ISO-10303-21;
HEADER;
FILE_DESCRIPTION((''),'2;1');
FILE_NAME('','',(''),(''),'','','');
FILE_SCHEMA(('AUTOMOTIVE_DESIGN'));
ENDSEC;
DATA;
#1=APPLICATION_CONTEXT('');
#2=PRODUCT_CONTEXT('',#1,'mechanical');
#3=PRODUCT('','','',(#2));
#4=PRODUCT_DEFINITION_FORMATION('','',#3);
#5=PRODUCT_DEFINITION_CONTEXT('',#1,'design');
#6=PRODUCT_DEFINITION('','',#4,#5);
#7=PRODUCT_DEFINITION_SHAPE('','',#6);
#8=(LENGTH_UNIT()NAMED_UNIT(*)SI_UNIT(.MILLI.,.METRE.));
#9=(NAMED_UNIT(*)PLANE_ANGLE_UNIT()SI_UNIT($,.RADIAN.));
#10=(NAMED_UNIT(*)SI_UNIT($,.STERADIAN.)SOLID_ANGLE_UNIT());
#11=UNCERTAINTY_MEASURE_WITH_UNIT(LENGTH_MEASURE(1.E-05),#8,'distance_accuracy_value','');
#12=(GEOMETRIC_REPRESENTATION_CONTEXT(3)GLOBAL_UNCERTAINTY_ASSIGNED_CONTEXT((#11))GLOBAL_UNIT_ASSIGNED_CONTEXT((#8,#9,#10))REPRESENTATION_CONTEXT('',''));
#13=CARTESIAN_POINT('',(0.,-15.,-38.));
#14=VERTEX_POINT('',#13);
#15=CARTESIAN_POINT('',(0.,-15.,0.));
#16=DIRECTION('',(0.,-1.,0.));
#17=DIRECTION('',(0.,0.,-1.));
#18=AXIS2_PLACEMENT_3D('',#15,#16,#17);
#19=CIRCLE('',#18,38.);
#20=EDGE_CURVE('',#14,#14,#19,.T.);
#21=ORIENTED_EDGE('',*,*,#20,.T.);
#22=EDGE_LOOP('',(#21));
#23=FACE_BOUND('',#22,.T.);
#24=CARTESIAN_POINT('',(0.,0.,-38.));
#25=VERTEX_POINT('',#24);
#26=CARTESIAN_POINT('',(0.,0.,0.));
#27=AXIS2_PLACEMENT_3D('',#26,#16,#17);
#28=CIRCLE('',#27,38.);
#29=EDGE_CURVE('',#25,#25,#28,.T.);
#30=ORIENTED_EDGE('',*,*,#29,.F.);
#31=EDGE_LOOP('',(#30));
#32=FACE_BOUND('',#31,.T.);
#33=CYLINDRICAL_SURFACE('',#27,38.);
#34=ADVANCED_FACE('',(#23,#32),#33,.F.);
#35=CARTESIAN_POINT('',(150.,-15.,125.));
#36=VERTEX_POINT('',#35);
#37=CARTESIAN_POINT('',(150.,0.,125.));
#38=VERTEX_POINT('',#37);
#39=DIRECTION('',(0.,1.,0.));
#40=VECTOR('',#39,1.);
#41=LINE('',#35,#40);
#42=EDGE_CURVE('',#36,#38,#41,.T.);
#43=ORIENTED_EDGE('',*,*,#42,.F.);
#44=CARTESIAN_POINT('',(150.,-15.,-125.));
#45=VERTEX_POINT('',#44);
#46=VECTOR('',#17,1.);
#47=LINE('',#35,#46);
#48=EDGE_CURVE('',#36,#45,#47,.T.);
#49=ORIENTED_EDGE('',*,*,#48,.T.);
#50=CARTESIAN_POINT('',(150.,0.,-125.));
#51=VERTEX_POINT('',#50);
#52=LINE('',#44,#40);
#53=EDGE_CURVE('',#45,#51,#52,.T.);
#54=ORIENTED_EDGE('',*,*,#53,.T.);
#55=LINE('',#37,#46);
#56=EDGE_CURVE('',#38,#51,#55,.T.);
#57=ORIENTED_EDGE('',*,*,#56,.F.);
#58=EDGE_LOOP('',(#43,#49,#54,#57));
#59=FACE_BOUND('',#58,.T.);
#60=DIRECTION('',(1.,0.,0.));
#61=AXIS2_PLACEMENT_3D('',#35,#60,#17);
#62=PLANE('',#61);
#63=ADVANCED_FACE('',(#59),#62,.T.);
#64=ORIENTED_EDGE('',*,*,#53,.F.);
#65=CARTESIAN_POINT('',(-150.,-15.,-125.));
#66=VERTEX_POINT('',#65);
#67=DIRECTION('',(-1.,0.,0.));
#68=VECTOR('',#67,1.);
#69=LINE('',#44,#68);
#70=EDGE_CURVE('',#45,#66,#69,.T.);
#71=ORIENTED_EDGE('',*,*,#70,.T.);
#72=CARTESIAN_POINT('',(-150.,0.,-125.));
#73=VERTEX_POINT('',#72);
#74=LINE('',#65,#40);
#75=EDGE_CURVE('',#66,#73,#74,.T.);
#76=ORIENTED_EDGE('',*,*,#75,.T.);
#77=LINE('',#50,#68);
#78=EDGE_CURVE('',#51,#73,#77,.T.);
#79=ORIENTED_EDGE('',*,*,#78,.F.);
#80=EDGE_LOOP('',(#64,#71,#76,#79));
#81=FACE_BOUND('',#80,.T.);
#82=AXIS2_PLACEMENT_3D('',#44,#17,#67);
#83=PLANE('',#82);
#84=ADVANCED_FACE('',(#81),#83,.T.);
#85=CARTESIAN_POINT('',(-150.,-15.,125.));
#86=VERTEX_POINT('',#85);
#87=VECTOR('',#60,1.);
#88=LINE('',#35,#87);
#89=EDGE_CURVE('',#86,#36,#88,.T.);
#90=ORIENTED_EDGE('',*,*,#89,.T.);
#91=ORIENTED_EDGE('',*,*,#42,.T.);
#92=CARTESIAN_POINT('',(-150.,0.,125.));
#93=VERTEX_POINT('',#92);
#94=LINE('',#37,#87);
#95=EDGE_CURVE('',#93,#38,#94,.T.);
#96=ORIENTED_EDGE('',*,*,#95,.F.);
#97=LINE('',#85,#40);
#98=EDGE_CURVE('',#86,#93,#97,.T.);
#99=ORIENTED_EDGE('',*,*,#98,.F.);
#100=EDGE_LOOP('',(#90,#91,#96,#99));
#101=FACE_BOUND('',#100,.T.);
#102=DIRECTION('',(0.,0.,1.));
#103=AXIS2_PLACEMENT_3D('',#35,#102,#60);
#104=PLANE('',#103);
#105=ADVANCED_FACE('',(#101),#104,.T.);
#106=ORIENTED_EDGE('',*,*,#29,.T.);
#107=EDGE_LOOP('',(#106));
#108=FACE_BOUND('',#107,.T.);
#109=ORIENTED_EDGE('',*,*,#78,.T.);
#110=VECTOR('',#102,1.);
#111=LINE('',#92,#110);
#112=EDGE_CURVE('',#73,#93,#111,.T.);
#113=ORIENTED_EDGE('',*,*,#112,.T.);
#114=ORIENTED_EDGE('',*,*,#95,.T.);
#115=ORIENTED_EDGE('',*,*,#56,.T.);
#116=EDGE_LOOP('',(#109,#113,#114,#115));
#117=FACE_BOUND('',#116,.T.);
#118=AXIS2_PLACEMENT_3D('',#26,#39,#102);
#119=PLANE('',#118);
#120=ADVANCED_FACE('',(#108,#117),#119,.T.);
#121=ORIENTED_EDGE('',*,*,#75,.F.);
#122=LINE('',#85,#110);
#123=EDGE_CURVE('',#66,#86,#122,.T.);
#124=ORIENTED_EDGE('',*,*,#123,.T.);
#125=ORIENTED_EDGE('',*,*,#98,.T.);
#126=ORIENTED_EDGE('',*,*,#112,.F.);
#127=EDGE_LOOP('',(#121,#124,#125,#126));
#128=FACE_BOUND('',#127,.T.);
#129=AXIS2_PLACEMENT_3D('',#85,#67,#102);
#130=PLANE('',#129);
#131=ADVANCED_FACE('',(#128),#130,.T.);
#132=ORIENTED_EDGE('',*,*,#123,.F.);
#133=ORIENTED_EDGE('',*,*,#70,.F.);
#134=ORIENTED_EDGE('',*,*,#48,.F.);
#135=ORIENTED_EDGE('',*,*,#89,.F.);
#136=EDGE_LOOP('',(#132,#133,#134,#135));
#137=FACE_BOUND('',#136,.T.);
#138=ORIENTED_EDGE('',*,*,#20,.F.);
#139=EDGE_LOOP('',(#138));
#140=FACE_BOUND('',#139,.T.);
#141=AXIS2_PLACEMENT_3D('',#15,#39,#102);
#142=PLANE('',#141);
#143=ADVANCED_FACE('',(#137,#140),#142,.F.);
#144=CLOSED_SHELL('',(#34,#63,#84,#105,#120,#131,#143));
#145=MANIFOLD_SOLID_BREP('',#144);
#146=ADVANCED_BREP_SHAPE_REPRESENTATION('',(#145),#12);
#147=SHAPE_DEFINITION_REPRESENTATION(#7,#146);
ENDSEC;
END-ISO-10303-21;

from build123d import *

# Parameters (mm, degrees)
SKETCH1_W           = 300
SKETCH1_H           = 250
BOSS_EXTRUDE1_DEPTH = 15
SKETCH3_R           = 38
CUT_EXTRUDE1_DEPTH  = 15


with BuildPart() as part:
    # Sketch1 → Boss-Extrude1 (new body)
    with BuildSketch(Plane(origin=(0, 0, 0), x_dir=(1, 0, 0), z_dir=(0, 1, 0))):
        Rectangle(SKETCH1_W, SKETCH1_H)
    extrude(amount=-BOSS_EXTRUDE1_DEPTH)

    # Sketch3 → Cut-Extrude1 (cut)
    with BuildSketch(Plane(origin=(0, -15, 0), x_dir=(-1, 0, 0), z_dir=(0, -1, 0))):
        with Locations(Location((0, 0, 0), (0, 0, 90))):
            Circle(SKETCH3_R)
    extrude(amount=-CUT_EXTRUDE1_DEPTH, mode=Mode.SUBTRACT)


solid = part.part
